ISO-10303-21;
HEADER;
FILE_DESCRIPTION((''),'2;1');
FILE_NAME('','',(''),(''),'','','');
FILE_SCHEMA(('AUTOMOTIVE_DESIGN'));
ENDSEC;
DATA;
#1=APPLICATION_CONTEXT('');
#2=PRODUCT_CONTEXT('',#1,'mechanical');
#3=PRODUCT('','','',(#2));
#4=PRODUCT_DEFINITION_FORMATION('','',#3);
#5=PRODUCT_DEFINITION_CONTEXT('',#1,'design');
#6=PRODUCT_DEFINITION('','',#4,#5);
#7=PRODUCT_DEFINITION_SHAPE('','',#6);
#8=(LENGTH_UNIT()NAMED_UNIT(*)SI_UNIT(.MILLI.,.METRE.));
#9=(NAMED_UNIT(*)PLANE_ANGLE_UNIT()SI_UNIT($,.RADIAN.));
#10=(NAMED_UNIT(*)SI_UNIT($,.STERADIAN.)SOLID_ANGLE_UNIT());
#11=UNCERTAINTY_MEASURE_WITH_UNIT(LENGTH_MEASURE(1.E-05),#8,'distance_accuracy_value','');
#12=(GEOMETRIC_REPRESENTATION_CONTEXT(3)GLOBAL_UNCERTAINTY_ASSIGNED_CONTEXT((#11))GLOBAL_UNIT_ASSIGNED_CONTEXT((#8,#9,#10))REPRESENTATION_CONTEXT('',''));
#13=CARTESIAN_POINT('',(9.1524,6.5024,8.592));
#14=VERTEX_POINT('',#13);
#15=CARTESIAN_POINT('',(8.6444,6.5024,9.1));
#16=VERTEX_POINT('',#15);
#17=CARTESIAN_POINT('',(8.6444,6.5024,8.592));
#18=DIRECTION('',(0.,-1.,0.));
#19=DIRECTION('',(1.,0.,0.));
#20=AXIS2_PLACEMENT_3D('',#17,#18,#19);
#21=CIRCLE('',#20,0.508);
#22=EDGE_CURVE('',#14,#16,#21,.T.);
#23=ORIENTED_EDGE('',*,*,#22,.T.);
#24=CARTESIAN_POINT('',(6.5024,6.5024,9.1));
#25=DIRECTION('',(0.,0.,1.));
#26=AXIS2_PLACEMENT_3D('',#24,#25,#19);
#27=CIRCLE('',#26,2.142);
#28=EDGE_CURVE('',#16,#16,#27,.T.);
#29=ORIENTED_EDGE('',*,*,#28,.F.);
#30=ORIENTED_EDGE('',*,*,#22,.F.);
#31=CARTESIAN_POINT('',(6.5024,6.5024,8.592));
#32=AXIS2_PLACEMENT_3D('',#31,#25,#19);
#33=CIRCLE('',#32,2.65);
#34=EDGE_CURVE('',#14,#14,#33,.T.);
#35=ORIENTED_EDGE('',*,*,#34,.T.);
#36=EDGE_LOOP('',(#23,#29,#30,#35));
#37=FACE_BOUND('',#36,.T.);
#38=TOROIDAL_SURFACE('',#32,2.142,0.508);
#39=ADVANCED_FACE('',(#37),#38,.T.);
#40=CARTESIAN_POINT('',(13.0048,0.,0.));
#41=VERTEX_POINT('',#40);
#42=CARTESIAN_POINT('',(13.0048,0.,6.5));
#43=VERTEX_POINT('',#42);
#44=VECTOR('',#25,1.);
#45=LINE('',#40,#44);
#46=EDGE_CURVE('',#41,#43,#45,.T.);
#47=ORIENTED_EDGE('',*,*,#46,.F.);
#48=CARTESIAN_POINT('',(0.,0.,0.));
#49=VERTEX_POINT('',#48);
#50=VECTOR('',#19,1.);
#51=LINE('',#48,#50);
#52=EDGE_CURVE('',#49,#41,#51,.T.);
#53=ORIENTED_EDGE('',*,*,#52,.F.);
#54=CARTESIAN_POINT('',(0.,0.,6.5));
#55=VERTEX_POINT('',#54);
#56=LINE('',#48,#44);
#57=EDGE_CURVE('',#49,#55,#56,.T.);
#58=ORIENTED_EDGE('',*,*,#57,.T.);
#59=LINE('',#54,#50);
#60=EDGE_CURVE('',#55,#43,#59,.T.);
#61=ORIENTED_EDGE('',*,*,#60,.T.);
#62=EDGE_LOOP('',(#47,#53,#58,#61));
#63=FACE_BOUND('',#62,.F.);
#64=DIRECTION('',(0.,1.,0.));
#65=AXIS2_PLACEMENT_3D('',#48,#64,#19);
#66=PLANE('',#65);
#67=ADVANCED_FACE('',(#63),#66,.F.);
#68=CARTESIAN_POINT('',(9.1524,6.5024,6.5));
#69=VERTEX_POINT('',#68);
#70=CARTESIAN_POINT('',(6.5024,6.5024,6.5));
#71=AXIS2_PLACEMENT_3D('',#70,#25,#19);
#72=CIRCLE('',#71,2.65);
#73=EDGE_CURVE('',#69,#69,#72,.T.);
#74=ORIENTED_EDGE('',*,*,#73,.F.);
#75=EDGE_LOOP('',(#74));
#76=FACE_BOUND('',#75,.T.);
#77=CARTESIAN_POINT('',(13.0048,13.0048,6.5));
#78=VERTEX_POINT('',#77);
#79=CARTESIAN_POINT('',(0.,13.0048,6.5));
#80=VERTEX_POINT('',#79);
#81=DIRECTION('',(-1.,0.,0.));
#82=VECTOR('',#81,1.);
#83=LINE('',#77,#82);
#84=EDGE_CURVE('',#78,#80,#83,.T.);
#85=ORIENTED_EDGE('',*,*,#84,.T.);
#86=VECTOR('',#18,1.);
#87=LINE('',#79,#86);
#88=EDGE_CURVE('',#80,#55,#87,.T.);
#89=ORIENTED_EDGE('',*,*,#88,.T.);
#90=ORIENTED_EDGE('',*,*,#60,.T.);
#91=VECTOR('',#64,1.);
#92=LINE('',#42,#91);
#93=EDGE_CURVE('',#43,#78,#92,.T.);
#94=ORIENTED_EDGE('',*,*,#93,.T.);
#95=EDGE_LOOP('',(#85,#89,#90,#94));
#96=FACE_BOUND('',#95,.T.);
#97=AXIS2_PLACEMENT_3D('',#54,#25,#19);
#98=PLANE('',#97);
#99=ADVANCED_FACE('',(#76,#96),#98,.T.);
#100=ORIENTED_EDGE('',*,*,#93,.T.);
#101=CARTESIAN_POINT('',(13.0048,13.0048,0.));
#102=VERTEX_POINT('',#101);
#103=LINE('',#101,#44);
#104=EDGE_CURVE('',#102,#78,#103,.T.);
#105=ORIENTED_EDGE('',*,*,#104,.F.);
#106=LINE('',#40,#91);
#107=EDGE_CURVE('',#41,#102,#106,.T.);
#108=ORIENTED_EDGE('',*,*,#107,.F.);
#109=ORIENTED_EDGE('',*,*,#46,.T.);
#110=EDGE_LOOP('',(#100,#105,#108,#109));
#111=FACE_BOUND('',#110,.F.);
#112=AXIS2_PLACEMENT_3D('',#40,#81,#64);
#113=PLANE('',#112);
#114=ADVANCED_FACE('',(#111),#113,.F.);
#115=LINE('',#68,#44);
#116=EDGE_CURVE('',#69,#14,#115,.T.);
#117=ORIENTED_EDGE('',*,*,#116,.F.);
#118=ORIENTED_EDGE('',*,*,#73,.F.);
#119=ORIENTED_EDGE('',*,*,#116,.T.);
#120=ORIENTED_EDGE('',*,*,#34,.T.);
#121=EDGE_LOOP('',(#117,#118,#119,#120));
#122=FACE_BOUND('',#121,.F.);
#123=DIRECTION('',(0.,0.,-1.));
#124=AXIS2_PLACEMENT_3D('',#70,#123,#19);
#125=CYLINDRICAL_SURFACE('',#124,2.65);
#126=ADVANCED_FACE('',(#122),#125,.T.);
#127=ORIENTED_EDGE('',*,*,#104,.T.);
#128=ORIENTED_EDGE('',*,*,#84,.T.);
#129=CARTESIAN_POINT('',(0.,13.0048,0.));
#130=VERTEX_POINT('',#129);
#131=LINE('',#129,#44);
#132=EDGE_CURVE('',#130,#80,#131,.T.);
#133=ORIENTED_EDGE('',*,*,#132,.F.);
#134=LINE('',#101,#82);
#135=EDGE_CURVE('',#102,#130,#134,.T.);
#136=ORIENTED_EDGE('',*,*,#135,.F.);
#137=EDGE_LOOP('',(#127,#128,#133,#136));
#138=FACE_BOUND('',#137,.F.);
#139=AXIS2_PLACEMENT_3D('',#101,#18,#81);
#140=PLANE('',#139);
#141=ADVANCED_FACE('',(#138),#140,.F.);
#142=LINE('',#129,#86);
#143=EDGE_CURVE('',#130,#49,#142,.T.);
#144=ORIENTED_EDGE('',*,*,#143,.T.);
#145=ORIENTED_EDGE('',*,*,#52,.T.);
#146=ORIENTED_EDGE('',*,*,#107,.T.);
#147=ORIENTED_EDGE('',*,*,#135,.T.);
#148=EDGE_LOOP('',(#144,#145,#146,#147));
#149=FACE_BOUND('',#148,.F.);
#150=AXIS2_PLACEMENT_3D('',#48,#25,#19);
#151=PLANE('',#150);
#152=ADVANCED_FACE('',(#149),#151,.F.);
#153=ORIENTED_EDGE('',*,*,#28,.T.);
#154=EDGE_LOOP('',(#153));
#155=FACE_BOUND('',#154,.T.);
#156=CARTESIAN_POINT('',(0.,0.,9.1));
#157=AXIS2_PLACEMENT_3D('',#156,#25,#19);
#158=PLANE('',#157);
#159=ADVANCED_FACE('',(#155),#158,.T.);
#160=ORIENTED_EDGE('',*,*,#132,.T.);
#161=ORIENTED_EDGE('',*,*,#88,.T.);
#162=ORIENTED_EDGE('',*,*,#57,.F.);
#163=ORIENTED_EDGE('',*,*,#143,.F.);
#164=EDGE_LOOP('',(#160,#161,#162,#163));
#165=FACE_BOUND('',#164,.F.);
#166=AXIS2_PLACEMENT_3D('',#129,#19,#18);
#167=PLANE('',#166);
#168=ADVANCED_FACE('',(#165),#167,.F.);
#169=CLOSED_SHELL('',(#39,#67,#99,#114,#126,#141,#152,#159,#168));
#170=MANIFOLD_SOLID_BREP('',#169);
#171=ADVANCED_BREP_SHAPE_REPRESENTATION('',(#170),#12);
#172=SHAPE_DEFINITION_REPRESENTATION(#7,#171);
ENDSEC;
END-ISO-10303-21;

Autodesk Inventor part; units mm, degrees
ref_plane "YZ Plane" through (0, 0, 0) normal (1, 0, 0) x (0, 1, 0)
ref_plane "XZ Plane" through (0, 0, 0) normal (0, 1, 0) x (-1, 0, 0)
ref_plane "XY Plane" through (0, 0, 0) normal (0, 0, 1) x (1, 0, 0)
sketch "Sketch1" plane through (0, 0, 0) normal (0, 0, 1) x (1, 0, 0)
  line L0 (0, 0) -> (13.0048, 0)
  line L1 (13.0048, 0) -> (13.0048, 13.0048)
  line L2 (13.0048, 13.0048) -> (0, 13.0048)
  line L3 (0, 13.0048) -> (0, 0)
  dimension "d0" = 13.0048
  dimension "d1" = 13.0048
extrude "Extrusion1" add sketch "Sketch1" along normal blind 6.5
sketch "Sketch2" plane through (0, 0, 6.5) normal (0, 0, 1) x (1, 0, 0)
  circle A0 centre (6.5024, 6.5024) radius 2.65
  line L0 (13.0048, 0) -> (13.0048, 13.0048) projected
  line L1 (13.0048, 13.0048) -> (0, 13.0048) projected
  point P0 (0, 0)
  point P1 (13.0048, 6.5024)
  point P2 (6.5024, 13.0048)
  dimension "d4" = 5.3
extrude "Extrusion2" add sketch "Sketch2" along normal blind 2.6
fillet "Fillet1" radius 0.508 1 edges at (3.8524, 6.5024, 9.1)
properties part number "Power switch"
